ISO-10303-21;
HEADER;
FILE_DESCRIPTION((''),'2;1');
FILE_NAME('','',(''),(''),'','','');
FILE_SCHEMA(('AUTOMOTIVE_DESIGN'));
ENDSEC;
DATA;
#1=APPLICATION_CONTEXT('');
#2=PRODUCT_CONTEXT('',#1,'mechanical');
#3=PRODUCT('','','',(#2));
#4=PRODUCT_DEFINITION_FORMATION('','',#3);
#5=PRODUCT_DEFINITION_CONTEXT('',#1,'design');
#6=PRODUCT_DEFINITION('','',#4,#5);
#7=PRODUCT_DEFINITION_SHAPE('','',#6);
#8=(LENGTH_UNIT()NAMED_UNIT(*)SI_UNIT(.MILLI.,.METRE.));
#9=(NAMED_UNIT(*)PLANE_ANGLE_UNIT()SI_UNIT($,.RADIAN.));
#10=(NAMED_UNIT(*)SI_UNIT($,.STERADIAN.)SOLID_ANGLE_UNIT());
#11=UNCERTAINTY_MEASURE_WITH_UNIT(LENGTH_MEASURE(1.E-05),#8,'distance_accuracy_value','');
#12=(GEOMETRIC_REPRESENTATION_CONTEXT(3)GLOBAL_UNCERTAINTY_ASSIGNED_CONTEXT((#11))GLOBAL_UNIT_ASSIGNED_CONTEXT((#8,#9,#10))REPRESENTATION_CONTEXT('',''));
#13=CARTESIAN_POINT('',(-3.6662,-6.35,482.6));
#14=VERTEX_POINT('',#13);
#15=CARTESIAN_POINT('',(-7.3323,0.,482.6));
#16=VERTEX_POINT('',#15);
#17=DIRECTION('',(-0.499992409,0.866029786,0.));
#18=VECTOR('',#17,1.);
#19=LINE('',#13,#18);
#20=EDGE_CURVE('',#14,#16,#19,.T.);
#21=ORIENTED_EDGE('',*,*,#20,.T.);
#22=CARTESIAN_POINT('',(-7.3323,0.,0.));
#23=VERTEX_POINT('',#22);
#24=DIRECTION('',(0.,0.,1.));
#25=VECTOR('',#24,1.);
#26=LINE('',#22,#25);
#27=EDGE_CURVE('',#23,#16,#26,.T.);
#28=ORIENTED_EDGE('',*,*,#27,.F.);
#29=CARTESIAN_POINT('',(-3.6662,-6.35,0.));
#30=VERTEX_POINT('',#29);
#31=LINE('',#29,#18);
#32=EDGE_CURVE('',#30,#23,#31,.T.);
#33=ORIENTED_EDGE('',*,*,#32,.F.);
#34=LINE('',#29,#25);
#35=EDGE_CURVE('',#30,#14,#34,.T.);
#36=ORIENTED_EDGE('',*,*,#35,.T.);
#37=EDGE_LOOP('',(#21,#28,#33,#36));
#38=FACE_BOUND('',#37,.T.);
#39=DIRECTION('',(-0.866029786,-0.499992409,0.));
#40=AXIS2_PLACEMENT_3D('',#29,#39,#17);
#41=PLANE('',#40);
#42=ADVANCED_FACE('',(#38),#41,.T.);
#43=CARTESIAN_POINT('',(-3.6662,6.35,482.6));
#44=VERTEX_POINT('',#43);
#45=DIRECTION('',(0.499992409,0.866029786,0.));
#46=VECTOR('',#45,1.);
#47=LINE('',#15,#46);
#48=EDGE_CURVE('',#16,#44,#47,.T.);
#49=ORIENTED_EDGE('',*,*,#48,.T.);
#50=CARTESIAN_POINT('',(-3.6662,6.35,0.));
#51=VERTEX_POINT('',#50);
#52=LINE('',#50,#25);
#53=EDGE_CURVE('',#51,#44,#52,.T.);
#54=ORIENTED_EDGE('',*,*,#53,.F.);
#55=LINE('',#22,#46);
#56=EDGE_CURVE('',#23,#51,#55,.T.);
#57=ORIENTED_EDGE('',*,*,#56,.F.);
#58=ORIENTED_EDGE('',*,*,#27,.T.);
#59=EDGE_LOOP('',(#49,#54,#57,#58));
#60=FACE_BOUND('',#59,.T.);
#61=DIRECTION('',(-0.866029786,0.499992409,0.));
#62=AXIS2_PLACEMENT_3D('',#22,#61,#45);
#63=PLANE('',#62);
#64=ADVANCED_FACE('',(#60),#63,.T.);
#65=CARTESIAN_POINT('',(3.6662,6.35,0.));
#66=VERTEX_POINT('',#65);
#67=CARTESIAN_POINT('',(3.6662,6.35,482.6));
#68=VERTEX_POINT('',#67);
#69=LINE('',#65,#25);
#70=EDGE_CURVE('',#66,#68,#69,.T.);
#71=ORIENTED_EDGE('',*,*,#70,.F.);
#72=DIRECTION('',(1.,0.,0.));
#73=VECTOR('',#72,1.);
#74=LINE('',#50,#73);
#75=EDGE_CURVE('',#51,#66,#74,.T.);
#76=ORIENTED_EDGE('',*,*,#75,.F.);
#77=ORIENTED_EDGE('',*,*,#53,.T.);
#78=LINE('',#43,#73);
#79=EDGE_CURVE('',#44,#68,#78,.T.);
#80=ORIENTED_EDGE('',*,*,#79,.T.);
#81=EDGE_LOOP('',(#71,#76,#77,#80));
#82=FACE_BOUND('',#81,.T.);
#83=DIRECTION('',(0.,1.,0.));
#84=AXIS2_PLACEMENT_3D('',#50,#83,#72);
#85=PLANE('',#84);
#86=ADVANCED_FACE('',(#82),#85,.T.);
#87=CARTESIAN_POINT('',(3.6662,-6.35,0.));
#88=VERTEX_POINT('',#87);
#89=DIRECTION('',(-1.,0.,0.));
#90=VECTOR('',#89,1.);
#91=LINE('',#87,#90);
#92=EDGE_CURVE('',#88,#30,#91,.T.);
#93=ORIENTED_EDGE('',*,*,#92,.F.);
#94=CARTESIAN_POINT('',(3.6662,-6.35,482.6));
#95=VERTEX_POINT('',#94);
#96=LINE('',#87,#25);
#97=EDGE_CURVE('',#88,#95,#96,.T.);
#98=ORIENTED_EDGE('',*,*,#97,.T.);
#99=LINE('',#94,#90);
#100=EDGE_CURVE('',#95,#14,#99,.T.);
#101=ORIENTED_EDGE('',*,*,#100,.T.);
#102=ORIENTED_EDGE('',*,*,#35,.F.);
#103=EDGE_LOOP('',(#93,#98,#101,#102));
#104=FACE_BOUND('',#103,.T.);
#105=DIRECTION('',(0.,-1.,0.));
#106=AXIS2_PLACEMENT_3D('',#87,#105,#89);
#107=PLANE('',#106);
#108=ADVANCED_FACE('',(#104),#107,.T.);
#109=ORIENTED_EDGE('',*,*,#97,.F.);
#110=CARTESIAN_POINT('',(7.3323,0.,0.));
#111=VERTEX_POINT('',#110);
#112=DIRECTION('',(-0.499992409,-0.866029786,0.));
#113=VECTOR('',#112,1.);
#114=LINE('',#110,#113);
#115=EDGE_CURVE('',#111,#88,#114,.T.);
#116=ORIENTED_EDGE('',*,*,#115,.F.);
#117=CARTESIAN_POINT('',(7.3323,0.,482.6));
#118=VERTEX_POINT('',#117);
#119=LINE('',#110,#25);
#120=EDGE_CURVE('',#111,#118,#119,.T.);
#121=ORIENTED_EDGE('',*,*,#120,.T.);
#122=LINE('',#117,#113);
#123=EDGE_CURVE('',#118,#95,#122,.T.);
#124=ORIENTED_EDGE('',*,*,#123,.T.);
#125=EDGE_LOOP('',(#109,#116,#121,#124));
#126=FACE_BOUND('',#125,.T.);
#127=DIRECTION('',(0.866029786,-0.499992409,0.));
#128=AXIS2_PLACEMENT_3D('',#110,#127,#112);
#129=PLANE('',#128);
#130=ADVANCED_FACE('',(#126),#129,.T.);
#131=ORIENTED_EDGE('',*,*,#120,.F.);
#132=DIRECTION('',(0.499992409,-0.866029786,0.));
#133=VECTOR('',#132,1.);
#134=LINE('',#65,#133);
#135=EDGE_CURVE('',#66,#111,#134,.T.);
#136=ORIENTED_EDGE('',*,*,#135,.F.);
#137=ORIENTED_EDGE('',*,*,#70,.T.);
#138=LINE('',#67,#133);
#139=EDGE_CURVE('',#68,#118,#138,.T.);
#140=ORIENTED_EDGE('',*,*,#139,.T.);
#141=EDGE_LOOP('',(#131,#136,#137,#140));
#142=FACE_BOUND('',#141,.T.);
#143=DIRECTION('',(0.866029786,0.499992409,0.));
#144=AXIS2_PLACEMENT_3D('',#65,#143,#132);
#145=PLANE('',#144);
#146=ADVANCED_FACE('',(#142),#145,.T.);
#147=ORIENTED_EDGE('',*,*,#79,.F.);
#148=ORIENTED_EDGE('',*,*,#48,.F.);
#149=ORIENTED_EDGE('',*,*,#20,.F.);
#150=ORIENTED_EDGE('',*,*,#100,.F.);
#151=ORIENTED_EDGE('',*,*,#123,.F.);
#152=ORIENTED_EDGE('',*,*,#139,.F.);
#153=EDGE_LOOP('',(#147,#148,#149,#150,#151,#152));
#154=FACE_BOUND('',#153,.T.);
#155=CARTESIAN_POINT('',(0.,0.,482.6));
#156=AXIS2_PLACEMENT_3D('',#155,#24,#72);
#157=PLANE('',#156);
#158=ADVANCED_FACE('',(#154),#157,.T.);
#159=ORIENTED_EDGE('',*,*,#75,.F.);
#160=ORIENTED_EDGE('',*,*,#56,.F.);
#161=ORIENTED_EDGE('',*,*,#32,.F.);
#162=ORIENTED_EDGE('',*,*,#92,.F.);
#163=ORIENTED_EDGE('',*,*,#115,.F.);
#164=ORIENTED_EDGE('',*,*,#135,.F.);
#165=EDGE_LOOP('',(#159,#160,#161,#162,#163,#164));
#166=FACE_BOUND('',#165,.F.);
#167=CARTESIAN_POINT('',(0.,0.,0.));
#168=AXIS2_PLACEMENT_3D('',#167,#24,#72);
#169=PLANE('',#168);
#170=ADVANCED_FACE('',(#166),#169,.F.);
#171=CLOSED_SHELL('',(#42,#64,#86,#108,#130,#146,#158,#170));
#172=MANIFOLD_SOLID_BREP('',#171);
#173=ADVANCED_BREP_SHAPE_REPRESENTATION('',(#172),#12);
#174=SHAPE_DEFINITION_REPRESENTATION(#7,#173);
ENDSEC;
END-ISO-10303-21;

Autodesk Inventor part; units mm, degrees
ref_plane "YZ Plane" through (0, 0, 0) normal (1, 0, 0) x (0, 1, 0)
ref_plane "XZ Plane" through (0, 0, 0) normal (0, 1, 0) x (-1, 0, 0)
ref_plane "XY Plane" through (0, 0, 0) normal (0, 0, 1) x (1, 0, 0)
sketch "Sketch1" plane through (0, 0, 0) normal (0, 0, 1) x (1, 0, 0)
  line L0 (3.6662, 6.35) -> (7.3323, 0)
  line L1 (7.3323, 0) -> (3.6662, -6.35)
  line L2 (3.6662, -6.35) -> (-3.6662, -6.35)
  line L3 (-3.6662, -6.35) -> (-7.3323, 0)
  line L4 (-7.3323, 0) -> (-3.6662, 6.35)
  line L5 (-3.6662, 6.35) -> (3.6662, 6.35)
  point P0 (0, 0)
  point P1 (0, 0)
  dimension "d0" = 12.7
extrude "Extrusion1" add sketch "Sketch1" along normal blind 482.6
properties part number "hex rod 19 inch" material "Steel, Alloy"
